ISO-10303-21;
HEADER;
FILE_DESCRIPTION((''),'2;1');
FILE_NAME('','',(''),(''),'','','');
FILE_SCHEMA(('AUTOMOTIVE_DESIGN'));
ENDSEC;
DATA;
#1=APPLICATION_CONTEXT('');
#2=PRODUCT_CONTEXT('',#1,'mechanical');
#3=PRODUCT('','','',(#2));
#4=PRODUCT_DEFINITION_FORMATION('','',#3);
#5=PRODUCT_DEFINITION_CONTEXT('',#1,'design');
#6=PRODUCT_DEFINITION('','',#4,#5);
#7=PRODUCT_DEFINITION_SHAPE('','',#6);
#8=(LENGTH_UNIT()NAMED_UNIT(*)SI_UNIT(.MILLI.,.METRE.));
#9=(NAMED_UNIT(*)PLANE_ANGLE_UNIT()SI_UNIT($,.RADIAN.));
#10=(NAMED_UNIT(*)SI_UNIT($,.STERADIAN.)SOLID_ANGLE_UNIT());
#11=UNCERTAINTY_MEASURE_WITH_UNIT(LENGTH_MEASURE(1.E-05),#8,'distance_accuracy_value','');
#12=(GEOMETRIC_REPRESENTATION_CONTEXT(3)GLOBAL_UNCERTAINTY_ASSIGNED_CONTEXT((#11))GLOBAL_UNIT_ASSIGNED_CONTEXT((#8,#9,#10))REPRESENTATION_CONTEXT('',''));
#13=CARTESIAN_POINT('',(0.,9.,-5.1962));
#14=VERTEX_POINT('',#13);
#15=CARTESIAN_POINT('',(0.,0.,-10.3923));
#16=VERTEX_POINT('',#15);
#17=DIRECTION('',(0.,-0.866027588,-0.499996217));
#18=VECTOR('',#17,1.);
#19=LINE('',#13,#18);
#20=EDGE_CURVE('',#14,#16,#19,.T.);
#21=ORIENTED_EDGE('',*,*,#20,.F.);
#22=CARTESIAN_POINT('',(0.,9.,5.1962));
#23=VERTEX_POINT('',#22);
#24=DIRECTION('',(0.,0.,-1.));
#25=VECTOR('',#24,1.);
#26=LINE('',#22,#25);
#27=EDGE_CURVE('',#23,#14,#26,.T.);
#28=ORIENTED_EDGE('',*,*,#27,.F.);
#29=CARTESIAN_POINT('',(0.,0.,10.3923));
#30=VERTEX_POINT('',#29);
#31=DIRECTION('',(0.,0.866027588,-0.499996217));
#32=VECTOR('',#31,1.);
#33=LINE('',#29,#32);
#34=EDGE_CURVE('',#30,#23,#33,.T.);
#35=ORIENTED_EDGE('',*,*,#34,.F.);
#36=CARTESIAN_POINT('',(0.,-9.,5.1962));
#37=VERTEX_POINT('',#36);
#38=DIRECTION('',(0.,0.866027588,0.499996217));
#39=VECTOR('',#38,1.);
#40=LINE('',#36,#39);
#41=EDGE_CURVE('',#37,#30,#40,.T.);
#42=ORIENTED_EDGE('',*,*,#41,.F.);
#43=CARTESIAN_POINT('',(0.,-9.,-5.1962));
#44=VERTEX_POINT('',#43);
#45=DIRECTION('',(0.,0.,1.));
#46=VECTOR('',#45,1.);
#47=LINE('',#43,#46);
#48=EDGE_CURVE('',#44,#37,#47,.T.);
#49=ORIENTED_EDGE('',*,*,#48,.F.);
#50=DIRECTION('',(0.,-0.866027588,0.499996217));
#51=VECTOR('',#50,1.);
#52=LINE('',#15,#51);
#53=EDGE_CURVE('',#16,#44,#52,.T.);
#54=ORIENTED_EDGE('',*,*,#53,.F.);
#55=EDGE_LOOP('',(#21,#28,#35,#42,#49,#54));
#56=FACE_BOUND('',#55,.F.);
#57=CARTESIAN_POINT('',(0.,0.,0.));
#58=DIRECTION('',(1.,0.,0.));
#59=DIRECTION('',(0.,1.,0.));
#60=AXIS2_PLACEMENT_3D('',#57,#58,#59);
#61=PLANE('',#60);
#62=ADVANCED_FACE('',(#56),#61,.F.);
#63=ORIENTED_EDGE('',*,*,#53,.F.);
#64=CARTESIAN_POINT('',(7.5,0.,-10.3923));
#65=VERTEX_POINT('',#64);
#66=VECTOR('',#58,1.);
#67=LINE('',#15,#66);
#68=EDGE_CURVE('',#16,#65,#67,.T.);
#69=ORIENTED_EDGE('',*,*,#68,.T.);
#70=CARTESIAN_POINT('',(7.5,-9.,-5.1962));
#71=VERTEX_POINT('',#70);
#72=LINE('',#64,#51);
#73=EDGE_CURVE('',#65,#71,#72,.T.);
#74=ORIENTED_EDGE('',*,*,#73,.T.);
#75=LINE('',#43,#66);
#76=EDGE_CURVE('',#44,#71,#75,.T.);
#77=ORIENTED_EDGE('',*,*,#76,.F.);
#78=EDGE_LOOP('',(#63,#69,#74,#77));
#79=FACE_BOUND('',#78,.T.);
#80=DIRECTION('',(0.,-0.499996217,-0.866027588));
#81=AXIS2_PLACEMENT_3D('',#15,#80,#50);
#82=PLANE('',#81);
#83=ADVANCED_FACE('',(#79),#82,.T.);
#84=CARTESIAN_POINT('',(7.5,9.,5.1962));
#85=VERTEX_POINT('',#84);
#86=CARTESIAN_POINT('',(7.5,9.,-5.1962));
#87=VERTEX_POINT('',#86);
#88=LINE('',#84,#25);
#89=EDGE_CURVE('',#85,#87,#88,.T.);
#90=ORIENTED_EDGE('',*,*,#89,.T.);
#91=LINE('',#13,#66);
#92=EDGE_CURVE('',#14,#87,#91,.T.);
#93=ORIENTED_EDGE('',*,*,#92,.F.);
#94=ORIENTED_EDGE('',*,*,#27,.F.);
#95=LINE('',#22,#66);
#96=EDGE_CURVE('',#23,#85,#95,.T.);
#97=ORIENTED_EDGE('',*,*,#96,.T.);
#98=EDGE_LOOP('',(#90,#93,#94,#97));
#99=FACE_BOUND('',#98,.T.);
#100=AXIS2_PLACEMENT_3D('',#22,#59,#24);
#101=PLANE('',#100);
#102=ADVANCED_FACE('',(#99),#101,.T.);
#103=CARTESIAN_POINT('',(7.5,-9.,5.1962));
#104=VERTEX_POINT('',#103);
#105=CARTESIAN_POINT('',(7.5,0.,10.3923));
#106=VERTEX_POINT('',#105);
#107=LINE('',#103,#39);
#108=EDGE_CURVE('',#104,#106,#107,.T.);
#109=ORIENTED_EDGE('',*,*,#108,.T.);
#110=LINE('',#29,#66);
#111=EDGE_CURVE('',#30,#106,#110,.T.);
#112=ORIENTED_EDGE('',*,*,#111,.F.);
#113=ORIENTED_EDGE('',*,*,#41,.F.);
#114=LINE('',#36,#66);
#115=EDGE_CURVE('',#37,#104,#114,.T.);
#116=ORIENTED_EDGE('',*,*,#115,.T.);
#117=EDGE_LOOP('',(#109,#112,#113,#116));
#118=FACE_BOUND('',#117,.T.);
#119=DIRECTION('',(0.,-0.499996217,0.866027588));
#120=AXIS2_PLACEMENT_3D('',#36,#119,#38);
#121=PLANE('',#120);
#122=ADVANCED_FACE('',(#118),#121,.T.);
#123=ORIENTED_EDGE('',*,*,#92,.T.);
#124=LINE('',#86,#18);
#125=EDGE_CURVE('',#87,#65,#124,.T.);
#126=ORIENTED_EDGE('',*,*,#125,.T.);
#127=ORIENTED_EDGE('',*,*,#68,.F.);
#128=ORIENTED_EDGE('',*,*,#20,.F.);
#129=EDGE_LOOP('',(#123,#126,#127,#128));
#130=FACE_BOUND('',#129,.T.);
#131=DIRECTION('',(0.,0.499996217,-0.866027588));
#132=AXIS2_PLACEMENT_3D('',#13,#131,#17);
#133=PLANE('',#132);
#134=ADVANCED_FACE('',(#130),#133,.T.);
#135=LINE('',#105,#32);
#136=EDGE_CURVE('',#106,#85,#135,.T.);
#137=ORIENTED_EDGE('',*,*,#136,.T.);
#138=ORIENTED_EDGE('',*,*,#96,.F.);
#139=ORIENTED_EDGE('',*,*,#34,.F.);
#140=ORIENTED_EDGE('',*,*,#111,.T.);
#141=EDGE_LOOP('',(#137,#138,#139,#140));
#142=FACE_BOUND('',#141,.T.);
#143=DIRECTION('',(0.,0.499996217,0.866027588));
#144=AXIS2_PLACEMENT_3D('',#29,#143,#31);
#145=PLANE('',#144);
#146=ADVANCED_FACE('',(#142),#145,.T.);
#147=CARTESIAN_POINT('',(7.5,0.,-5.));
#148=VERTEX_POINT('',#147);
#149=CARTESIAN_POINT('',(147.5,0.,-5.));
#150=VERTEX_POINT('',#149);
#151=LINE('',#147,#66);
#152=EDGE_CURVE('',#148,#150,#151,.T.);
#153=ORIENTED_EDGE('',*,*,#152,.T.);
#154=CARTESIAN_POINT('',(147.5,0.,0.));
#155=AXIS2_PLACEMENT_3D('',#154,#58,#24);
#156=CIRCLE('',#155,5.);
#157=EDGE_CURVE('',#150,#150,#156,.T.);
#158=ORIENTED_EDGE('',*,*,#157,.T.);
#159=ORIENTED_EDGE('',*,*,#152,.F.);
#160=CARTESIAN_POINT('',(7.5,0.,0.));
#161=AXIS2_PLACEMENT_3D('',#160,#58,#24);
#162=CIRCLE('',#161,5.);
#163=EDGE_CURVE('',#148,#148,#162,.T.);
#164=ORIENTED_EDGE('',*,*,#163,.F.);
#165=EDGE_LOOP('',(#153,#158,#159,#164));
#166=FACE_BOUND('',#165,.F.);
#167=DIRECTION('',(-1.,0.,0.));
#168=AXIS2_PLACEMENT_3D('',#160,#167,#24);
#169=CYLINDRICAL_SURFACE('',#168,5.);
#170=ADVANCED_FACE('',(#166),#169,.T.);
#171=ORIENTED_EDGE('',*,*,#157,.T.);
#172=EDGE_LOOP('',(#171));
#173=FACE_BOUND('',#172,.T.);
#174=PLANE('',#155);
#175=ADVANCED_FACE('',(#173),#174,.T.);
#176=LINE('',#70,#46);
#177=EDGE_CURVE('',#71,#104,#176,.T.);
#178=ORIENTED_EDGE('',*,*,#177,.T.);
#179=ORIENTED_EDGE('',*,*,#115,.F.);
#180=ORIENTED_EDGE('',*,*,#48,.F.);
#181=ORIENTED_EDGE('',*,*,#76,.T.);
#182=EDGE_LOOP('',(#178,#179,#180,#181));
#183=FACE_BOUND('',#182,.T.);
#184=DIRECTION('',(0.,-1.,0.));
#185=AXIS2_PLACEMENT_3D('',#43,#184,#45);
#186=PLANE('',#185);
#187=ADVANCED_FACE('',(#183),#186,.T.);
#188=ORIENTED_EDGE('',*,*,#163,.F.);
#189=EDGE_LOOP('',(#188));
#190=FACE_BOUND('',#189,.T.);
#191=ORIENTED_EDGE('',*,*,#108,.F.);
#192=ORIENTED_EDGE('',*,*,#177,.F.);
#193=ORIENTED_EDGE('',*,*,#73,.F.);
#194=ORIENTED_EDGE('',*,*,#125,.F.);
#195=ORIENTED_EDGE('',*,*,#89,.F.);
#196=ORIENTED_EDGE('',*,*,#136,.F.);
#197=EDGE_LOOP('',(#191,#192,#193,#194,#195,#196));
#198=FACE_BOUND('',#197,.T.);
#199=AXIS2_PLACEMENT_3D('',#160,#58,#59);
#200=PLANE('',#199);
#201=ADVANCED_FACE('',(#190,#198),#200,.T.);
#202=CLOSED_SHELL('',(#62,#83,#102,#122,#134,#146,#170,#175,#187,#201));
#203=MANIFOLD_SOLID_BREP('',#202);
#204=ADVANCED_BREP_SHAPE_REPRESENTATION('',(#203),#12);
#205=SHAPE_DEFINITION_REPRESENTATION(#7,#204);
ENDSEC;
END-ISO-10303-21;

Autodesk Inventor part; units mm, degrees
ref_plane "YZ Plane" through (0, 0, 0) normal (1, 0, 0) x (0, 1, 0)
ref_plane "XZ Plane" through (0, 0, 0) normal (0, 1, 0) x (-1, 0, 0)
ref_plane "XY Plane" through (0, 0, 0) normal (0, 0, 1) x (1, 0, 0)
sketch "Náčrt1" plane through (0, 0, 0) normal (1, 0, 0) x (0, 1, 0)
  line L0 (0, -10.3923) -> (-9, -5.1962)
  line L1 (-9, -5.1962) -> (-9, 5.1962)
  line L2 (-9, 5.1962) -> (0, 10.3923)
  line L3 (0, 10.3923) -> (9, 5.1962)
  line L4 (9, 5.1962) -> (9, -5.1962)
  line L5 (9, -5.1962) -> (0, -10.3923)
  point P0 (0, 0)
  point P1 (0, 0)
  dimension "d0" = 18
extrude "Vysunutí1" add sketch "Náčrt1" along normal blind 7.5
sketch "Náčrt2" plane through (7.5, 0, 0) normal (1, 0, 0) x (0, 0, -1)
  circle A0 centre (0, 0) radius 5
  dimension "d3" = 10
extrude "Vysunutí2" add sketch "Náčrt2" along normal blind 140
thread "Závit1" size "M12x1.75" class "6g" standard "ANSI Metric M Profile" full length
properties part number "Šrouv M12x160"
